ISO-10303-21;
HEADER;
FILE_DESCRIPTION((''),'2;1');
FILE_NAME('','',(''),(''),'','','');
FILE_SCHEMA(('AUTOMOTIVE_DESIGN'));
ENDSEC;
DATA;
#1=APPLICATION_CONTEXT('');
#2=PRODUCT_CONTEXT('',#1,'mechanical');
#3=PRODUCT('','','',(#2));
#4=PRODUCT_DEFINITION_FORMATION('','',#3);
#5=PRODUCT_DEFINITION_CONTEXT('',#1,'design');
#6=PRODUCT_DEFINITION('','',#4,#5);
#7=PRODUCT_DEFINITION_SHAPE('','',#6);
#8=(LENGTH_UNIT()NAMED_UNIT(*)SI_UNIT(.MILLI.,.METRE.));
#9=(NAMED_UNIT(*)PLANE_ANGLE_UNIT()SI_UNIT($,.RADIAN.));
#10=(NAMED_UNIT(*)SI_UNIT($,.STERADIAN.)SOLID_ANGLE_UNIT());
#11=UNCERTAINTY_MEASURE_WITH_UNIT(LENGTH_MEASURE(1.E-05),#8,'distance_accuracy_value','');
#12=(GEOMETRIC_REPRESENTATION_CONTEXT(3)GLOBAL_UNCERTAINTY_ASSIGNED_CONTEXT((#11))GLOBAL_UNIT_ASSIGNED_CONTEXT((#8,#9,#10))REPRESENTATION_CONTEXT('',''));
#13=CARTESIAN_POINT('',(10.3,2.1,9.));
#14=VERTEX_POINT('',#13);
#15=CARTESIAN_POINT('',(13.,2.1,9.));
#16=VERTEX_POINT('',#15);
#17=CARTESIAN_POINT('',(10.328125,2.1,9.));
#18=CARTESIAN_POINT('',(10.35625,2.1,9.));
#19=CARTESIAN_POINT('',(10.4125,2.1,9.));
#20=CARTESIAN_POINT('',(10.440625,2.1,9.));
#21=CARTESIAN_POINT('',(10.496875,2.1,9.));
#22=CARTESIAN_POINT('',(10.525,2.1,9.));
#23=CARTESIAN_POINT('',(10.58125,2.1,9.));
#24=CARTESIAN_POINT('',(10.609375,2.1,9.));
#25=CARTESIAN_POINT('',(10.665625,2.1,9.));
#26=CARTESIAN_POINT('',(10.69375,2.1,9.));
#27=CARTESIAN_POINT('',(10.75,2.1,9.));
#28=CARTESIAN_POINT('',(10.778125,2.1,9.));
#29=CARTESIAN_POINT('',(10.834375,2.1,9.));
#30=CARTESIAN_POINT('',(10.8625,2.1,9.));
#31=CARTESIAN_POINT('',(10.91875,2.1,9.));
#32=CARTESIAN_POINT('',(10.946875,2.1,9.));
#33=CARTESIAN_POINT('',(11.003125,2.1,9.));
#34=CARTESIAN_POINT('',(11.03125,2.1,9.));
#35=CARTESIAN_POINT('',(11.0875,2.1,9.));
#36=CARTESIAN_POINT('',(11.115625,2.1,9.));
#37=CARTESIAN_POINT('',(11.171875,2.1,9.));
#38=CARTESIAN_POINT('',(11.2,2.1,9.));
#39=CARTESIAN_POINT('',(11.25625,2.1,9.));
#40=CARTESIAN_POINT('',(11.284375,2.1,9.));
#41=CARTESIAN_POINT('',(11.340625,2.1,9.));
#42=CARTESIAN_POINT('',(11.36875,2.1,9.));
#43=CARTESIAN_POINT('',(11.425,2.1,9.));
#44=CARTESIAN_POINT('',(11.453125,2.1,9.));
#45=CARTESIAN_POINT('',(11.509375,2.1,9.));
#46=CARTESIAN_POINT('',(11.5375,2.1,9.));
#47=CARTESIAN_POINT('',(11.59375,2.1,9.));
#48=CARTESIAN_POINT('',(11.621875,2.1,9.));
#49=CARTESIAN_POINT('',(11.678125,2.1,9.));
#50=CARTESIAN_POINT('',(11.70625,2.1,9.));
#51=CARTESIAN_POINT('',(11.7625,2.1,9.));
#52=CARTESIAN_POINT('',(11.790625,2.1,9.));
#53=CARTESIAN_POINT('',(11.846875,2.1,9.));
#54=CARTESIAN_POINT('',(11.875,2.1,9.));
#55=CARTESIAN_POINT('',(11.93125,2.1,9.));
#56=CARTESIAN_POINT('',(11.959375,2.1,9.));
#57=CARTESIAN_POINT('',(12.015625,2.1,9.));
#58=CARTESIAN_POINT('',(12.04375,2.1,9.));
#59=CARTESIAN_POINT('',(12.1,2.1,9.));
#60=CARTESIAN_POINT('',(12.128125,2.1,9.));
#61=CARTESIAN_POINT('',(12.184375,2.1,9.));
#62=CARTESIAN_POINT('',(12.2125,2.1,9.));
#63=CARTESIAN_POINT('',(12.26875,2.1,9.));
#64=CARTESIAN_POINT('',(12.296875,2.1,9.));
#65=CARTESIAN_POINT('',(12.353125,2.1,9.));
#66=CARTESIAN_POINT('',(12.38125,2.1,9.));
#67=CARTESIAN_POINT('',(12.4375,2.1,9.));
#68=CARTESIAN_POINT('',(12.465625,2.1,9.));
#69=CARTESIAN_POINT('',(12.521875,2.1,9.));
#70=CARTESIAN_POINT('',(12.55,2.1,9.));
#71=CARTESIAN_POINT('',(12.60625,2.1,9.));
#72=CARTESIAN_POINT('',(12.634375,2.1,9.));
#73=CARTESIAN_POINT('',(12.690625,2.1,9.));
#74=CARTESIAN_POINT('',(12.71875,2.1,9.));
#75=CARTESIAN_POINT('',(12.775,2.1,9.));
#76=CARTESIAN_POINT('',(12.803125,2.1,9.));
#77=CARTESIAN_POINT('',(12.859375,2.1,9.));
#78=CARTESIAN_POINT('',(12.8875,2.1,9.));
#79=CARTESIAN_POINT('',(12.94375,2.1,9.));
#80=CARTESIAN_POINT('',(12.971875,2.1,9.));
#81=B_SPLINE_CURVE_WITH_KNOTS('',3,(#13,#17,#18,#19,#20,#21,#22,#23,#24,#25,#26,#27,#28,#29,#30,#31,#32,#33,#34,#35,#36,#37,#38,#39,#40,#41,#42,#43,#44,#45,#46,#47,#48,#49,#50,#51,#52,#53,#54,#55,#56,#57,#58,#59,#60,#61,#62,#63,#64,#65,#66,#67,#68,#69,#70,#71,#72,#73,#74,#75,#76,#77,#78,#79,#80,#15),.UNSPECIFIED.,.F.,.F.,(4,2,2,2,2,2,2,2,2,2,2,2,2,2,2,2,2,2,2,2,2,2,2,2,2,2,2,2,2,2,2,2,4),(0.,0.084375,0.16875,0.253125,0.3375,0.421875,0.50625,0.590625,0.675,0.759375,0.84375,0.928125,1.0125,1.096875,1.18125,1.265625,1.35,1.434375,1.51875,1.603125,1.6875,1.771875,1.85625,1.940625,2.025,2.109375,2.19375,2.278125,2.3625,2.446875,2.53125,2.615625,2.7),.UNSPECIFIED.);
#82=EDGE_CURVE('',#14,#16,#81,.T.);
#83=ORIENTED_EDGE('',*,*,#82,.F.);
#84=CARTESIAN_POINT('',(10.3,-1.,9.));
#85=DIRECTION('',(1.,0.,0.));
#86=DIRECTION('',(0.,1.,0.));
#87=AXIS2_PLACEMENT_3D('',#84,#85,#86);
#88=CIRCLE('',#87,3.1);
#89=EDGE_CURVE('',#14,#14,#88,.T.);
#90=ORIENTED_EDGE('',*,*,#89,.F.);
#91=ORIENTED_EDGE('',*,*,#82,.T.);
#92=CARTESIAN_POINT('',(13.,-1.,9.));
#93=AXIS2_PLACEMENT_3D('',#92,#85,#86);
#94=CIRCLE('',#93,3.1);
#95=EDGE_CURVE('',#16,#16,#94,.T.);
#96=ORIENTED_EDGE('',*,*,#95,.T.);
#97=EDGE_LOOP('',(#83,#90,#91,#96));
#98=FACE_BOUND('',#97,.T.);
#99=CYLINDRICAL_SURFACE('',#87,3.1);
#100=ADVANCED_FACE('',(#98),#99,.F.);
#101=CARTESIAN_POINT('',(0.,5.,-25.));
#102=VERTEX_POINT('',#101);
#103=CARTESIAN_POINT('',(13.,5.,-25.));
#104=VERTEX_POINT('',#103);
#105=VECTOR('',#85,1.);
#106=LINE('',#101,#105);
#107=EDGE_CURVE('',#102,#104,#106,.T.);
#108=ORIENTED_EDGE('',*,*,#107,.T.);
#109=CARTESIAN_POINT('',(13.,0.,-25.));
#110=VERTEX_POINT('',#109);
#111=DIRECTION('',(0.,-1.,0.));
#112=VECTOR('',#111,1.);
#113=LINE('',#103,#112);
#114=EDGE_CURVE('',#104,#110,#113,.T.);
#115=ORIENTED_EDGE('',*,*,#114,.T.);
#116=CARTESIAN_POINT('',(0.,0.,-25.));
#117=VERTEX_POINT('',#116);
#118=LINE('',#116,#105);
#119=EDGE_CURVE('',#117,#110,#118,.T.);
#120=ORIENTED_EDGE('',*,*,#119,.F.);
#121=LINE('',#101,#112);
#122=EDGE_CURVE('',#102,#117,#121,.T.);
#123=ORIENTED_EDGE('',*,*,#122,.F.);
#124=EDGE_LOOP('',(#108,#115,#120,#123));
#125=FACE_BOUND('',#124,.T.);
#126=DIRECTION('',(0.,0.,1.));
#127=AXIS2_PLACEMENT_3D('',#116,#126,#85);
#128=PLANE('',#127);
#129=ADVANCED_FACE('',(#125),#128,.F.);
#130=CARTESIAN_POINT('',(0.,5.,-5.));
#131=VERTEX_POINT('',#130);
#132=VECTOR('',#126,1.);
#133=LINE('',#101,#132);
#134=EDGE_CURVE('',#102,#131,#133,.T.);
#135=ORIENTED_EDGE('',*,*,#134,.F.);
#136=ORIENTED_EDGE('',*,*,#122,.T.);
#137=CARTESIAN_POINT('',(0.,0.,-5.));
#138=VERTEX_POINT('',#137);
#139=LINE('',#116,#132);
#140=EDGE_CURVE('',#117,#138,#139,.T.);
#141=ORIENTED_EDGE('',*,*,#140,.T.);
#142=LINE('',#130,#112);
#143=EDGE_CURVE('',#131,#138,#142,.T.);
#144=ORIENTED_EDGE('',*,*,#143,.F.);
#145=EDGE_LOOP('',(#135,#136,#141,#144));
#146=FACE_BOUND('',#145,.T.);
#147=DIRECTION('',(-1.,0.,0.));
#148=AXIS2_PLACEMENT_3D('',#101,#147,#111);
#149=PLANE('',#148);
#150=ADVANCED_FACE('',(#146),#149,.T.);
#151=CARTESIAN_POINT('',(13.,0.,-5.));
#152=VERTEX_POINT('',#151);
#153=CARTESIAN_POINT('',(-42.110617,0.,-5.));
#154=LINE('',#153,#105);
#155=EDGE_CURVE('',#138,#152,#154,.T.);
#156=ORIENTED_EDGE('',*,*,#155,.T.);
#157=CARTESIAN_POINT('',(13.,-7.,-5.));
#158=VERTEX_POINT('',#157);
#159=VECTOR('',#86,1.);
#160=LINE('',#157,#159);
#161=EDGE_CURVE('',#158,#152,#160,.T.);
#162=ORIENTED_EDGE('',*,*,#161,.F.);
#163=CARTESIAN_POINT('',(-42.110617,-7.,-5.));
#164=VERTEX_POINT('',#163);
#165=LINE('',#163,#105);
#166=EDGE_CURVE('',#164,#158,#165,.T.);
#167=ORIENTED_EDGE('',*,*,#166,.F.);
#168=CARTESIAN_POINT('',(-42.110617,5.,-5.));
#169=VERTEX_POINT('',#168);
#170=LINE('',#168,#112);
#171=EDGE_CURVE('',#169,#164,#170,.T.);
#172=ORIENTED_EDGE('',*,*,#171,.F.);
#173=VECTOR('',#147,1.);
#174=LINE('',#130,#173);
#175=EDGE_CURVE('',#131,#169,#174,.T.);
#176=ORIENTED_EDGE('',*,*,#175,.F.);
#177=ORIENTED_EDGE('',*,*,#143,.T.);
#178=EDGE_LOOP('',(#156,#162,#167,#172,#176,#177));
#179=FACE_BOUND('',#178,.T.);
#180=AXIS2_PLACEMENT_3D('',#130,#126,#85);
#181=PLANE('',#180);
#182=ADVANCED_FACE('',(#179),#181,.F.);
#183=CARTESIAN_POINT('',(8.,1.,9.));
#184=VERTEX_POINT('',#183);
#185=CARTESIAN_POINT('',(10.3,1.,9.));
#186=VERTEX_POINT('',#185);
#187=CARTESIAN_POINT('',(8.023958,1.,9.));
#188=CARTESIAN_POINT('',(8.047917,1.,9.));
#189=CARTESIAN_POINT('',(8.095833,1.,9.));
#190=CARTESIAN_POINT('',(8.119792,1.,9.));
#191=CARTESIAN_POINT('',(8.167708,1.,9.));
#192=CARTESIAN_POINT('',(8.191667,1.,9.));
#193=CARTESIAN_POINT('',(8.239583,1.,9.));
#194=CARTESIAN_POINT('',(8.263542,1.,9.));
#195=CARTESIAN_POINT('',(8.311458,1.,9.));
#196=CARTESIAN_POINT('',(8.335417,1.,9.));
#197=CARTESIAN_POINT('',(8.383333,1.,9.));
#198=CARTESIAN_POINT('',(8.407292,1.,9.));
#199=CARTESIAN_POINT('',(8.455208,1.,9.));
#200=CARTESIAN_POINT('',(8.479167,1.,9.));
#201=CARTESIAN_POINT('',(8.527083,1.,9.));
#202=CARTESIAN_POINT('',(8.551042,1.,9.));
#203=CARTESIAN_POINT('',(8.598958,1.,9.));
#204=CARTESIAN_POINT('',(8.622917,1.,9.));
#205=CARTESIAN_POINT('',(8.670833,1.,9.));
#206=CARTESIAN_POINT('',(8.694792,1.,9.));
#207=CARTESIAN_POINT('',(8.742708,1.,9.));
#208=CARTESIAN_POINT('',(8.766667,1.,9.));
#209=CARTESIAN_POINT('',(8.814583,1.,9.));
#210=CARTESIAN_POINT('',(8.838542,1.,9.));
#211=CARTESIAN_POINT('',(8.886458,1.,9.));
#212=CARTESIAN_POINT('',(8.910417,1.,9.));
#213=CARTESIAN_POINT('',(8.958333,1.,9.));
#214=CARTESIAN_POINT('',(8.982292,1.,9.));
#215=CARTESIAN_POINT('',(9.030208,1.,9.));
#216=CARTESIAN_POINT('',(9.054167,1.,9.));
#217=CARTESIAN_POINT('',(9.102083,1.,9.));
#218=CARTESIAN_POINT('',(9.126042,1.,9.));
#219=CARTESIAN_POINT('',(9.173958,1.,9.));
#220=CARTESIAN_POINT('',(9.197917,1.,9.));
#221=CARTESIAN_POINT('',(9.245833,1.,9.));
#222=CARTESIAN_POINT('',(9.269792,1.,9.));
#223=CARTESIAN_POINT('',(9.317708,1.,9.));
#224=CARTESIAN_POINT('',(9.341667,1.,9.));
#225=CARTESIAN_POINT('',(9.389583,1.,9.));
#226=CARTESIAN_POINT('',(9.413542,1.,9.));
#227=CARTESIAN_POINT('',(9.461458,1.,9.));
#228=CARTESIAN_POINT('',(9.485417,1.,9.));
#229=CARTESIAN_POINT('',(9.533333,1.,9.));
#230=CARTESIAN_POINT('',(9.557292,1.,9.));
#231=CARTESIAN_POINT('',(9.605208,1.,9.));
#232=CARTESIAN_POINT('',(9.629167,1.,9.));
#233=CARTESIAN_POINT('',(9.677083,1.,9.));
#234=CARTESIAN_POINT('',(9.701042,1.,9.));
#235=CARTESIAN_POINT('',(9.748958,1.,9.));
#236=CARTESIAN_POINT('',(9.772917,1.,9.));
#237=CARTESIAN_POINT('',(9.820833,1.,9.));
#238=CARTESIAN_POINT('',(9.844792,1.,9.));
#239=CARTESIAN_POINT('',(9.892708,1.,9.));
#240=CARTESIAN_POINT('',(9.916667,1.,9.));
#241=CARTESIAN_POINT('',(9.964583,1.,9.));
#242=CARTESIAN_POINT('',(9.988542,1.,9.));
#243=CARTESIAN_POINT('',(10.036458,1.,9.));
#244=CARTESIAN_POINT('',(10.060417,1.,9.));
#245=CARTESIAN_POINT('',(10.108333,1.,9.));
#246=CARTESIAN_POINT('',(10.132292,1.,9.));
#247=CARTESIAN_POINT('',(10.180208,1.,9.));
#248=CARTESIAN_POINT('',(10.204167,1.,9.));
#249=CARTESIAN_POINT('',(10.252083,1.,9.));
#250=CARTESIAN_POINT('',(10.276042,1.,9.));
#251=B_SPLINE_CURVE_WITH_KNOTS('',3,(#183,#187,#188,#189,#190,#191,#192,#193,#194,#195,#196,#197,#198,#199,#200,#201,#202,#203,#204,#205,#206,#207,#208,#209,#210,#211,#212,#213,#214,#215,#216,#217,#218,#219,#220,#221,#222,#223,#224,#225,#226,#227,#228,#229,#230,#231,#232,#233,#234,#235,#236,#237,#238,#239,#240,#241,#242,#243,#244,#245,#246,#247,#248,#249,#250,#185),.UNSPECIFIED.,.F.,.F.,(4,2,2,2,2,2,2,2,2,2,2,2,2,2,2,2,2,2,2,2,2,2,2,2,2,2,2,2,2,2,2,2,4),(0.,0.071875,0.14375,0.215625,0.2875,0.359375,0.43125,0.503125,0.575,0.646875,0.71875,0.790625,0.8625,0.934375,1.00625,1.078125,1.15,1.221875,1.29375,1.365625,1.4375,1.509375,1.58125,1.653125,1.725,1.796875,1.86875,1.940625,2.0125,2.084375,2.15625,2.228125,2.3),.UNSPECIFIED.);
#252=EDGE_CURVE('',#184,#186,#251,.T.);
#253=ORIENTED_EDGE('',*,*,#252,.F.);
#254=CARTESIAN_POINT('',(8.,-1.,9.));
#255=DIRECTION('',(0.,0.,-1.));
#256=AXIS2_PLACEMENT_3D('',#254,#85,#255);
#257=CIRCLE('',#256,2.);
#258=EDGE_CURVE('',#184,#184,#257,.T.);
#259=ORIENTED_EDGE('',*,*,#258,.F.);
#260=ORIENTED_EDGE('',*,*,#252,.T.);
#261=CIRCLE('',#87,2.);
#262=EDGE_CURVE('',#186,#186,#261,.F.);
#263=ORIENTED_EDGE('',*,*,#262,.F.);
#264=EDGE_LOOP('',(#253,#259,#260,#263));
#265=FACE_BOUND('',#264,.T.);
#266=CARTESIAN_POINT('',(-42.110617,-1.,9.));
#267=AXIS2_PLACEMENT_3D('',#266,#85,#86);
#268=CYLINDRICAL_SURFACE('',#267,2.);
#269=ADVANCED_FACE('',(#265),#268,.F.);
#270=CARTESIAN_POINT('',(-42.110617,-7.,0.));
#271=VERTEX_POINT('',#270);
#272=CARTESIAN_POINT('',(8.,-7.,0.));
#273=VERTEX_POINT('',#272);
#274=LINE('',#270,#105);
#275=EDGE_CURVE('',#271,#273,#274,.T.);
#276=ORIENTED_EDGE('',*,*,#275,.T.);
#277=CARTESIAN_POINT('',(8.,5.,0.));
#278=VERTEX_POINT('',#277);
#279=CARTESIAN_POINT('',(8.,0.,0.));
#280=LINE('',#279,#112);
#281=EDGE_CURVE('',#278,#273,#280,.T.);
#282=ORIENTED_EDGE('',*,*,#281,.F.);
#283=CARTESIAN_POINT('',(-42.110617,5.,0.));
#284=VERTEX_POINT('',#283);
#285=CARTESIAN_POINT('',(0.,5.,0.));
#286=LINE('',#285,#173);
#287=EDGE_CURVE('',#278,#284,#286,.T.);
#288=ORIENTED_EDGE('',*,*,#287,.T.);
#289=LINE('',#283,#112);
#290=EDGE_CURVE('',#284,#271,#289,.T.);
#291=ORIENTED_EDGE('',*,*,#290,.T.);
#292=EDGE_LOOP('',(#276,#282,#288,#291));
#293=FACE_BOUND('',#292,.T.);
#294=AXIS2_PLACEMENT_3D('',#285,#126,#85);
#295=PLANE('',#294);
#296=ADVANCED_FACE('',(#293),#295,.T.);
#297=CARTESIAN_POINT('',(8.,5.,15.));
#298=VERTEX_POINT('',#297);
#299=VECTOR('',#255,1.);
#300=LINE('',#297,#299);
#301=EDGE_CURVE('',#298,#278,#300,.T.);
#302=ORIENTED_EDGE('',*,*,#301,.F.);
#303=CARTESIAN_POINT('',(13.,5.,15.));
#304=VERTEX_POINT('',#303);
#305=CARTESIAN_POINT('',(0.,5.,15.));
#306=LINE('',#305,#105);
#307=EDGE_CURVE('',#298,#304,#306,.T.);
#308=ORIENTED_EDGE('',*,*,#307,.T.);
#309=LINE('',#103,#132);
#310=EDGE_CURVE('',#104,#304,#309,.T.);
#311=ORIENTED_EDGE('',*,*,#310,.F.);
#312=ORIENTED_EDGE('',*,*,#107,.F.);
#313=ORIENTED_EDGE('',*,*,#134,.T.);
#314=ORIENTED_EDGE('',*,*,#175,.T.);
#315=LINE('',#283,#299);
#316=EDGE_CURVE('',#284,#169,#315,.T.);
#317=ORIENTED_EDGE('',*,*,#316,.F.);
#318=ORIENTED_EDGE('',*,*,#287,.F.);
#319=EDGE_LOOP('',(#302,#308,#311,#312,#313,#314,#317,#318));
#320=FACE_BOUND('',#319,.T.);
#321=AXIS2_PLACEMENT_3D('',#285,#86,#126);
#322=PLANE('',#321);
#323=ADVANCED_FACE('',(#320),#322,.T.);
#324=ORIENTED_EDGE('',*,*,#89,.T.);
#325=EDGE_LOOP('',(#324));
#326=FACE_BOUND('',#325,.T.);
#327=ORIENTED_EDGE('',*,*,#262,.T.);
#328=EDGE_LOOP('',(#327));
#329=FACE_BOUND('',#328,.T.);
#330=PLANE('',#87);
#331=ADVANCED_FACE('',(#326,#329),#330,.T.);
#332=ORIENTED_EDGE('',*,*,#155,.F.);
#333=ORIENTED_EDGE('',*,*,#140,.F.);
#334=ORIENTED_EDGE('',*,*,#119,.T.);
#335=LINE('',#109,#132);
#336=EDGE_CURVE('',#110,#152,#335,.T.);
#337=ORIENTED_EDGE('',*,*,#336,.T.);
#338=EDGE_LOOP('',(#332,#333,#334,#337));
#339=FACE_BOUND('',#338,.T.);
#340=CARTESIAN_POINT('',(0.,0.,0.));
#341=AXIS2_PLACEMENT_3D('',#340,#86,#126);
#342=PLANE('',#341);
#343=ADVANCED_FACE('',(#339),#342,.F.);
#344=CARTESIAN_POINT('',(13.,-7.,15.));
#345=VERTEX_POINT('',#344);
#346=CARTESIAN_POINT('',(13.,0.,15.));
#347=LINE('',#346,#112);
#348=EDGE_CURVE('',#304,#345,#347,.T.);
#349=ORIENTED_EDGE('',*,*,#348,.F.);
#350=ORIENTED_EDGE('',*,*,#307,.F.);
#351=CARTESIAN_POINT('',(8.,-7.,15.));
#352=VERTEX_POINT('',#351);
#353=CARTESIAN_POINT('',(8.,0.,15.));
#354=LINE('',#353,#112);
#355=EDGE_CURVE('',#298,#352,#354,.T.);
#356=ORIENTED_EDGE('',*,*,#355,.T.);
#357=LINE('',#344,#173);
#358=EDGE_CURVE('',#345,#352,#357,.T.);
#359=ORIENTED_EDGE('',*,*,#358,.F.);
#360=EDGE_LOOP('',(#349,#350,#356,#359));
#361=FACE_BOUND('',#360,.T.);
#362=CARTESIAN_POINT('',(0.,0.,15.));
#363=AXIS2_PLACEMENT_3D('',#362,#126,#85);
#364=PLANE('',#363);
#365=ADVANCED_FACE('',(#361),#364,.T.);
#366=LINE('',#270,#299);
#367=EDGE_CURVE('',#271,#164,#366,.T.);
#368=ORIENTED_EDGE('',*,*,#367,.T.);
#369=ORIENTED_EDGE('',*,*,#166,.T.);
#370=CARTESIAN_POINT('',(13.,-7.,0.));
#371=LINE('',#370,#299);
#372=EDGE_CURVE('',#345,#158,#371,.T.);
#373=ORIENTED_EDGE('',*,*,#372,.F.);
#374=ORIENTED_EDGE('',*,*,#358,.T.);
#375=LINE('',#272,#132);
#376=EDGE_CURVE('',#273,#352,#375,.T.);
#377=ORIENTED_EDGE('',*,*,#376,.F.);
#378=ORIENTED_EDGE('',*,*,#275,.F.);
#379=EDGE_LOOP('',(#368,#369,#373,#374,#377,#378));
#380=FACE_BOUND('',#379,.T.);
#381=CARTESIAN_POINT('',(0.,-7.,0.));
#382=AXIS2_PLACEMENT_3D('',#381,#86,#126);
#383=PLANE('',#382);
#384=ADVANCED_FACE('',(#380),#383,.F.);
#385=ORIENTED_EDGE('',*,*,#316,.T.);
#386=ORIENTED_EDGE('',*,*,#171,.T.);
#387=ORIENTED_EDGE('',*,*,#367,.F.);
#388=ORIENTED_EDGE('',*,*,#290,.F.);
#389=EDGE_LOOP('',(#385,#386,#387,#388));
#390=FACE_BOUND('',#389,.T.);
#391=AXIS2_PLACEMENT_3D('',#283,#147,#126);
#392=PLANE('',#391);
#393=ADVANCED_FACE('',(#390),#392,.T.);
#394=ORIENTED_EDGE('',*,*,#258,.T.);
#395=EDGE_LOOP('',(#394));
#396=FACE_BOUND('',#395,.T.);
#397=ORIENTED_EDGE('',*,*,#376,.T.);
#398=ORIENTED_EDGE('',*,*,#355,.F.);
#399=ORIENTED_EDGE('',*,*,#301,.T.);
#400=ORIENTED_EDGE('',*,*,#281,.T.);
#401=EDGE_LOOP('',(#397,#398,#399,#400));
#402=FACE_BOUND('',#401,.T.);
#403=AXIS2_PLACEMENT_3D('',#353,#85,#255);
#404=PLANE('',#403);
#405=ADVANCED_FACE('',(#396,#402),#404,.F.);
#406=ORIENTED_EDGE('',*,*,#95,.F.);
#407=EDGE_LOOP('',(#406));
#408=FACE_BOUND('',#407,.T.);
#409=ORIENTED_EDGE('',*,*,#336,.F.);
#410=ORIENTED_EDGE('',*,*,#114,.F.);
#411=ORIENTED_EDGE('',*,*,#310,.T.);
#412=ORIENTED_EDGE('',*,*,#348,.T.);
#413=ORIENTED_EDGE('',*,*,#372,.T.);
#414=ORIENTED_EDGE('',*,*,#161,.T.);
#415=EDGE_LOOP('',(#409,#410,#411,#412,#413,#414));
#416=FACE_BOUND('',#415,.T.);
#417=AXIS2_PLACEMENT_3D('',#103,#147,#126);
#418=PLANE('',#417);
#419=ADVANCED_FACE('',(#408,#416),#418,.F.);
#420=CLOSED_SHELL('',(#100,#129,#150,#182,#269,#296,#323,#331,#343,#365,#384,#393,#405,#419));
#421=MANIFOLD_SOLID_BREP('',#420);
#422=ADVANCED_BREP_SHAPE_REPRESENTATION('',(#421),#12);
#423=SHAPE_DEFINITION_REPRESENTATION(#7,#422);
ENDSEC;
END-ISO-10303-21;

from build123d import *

# Parameters (mm, degrees)
SKETCH_1_W          = 42.110617321
SKETCH_1_H          = 5
EXTRUDE_1_DEPTH     = 5
SKETCH_2_W          = 13
SKETCH_2_H          = 5
EXTRUDE_2_DEPTH     = 25
SKETCH_2_3_W        = 5
SKETCH_2_3_H        = 5
EXTRUDE_3_DEPTH     = 15
SKETCH_3_W          = 5
SKETCH_3_H          = 15
EXTRUDE_4_DEPTH     = 7
SKETCH_4_R          = 2
CUT_EXTRUDE_1_DEPTH = 61.919456182
SKETCH_4_3_R        = 3.1
CUT_EXTRUDE_2_DEPTH = 2.7


with BuildPart() as part:
    # 草图1 → 凸台-拉伸1 (new body)
    with BuildSketch(Plane(origin=(0, 0, 0), x_dir=(1, 0, 0), z_dir=(0, 1, 0))):
        with Locations((-21.05530866, 2.5)):
            Rectangle(SKETCH_1_W, SKETCH_1_H)
    extrude(amount=EXTRUDE_1_DEPTH)

    # 草图2 → 凸台-拉伸2 (add)
    with BuildSketch(Plane(origin=(0, 0, 0), x_dir=(-1, 0, 0), z_dir=(0, 0, -1))):
        with Locations((-6.5, 2.5)):
            Rectangle(SKETCH_2_W, SKETCH_2_H)
    extrude(amount=EXTRUDE_2_DEPTH)

    # 草图2<3> → 凸台-拉伸3 (add)
    with BuildSketch(Plane(origin=(0, 0, 0), x_dir=(-1, 0, 0), z_dir=(0, 0, -1))):
        with Locations((-10.5, 2.5)):
            Rectangle(SKETCH_2_3_W, SKETCH_2_3_H)
    extrude(amount=-EXTRUDE_3_DEPTH)

    # 草图3 → 凸台-拉伸4 (add)
    with BuildSketch(Plane.XZ):
        Polygon((8, 0), (-42.110617321, 0), (-42.110617321, -5), (13, -5), (13, 0), align=None)
        with Locations((10.5, 7.5)):
            Rectangle(SKETCH_3_W, SKETCH_3_H)
    extrude(amount=EXTRUDE_4_DEPTH)

    # 草图4 → 切除-拉伸1 (cut, through all)
    with BuildSketch(Plane(origin=(13, 0, 0), x_dir=(0, 0, -1), z_dir=(1, 0, 0))):
        with Locations((-9, -1)):
            Circle(SKETCH_4_R)
    extrude(amount=-CUT_EXTRUDE_1_DEPTH, mode=Mode.SUBTRACT)

    # 草图4<3> → 切除-拉伸2 (cut)
    with BuildSketch(Plane(origin=(13, 0, 0), x_dir=(0, 0, -1), z_dir=(1, 0, 0))):
        with Locations((-9, -1)):
            Circle(SKETCH_4_3_R)
    extrude(amount=-CUT_EXTRUDE_2_DEPTH, mode=Mode.SUBTRACT)


solid = part.part
